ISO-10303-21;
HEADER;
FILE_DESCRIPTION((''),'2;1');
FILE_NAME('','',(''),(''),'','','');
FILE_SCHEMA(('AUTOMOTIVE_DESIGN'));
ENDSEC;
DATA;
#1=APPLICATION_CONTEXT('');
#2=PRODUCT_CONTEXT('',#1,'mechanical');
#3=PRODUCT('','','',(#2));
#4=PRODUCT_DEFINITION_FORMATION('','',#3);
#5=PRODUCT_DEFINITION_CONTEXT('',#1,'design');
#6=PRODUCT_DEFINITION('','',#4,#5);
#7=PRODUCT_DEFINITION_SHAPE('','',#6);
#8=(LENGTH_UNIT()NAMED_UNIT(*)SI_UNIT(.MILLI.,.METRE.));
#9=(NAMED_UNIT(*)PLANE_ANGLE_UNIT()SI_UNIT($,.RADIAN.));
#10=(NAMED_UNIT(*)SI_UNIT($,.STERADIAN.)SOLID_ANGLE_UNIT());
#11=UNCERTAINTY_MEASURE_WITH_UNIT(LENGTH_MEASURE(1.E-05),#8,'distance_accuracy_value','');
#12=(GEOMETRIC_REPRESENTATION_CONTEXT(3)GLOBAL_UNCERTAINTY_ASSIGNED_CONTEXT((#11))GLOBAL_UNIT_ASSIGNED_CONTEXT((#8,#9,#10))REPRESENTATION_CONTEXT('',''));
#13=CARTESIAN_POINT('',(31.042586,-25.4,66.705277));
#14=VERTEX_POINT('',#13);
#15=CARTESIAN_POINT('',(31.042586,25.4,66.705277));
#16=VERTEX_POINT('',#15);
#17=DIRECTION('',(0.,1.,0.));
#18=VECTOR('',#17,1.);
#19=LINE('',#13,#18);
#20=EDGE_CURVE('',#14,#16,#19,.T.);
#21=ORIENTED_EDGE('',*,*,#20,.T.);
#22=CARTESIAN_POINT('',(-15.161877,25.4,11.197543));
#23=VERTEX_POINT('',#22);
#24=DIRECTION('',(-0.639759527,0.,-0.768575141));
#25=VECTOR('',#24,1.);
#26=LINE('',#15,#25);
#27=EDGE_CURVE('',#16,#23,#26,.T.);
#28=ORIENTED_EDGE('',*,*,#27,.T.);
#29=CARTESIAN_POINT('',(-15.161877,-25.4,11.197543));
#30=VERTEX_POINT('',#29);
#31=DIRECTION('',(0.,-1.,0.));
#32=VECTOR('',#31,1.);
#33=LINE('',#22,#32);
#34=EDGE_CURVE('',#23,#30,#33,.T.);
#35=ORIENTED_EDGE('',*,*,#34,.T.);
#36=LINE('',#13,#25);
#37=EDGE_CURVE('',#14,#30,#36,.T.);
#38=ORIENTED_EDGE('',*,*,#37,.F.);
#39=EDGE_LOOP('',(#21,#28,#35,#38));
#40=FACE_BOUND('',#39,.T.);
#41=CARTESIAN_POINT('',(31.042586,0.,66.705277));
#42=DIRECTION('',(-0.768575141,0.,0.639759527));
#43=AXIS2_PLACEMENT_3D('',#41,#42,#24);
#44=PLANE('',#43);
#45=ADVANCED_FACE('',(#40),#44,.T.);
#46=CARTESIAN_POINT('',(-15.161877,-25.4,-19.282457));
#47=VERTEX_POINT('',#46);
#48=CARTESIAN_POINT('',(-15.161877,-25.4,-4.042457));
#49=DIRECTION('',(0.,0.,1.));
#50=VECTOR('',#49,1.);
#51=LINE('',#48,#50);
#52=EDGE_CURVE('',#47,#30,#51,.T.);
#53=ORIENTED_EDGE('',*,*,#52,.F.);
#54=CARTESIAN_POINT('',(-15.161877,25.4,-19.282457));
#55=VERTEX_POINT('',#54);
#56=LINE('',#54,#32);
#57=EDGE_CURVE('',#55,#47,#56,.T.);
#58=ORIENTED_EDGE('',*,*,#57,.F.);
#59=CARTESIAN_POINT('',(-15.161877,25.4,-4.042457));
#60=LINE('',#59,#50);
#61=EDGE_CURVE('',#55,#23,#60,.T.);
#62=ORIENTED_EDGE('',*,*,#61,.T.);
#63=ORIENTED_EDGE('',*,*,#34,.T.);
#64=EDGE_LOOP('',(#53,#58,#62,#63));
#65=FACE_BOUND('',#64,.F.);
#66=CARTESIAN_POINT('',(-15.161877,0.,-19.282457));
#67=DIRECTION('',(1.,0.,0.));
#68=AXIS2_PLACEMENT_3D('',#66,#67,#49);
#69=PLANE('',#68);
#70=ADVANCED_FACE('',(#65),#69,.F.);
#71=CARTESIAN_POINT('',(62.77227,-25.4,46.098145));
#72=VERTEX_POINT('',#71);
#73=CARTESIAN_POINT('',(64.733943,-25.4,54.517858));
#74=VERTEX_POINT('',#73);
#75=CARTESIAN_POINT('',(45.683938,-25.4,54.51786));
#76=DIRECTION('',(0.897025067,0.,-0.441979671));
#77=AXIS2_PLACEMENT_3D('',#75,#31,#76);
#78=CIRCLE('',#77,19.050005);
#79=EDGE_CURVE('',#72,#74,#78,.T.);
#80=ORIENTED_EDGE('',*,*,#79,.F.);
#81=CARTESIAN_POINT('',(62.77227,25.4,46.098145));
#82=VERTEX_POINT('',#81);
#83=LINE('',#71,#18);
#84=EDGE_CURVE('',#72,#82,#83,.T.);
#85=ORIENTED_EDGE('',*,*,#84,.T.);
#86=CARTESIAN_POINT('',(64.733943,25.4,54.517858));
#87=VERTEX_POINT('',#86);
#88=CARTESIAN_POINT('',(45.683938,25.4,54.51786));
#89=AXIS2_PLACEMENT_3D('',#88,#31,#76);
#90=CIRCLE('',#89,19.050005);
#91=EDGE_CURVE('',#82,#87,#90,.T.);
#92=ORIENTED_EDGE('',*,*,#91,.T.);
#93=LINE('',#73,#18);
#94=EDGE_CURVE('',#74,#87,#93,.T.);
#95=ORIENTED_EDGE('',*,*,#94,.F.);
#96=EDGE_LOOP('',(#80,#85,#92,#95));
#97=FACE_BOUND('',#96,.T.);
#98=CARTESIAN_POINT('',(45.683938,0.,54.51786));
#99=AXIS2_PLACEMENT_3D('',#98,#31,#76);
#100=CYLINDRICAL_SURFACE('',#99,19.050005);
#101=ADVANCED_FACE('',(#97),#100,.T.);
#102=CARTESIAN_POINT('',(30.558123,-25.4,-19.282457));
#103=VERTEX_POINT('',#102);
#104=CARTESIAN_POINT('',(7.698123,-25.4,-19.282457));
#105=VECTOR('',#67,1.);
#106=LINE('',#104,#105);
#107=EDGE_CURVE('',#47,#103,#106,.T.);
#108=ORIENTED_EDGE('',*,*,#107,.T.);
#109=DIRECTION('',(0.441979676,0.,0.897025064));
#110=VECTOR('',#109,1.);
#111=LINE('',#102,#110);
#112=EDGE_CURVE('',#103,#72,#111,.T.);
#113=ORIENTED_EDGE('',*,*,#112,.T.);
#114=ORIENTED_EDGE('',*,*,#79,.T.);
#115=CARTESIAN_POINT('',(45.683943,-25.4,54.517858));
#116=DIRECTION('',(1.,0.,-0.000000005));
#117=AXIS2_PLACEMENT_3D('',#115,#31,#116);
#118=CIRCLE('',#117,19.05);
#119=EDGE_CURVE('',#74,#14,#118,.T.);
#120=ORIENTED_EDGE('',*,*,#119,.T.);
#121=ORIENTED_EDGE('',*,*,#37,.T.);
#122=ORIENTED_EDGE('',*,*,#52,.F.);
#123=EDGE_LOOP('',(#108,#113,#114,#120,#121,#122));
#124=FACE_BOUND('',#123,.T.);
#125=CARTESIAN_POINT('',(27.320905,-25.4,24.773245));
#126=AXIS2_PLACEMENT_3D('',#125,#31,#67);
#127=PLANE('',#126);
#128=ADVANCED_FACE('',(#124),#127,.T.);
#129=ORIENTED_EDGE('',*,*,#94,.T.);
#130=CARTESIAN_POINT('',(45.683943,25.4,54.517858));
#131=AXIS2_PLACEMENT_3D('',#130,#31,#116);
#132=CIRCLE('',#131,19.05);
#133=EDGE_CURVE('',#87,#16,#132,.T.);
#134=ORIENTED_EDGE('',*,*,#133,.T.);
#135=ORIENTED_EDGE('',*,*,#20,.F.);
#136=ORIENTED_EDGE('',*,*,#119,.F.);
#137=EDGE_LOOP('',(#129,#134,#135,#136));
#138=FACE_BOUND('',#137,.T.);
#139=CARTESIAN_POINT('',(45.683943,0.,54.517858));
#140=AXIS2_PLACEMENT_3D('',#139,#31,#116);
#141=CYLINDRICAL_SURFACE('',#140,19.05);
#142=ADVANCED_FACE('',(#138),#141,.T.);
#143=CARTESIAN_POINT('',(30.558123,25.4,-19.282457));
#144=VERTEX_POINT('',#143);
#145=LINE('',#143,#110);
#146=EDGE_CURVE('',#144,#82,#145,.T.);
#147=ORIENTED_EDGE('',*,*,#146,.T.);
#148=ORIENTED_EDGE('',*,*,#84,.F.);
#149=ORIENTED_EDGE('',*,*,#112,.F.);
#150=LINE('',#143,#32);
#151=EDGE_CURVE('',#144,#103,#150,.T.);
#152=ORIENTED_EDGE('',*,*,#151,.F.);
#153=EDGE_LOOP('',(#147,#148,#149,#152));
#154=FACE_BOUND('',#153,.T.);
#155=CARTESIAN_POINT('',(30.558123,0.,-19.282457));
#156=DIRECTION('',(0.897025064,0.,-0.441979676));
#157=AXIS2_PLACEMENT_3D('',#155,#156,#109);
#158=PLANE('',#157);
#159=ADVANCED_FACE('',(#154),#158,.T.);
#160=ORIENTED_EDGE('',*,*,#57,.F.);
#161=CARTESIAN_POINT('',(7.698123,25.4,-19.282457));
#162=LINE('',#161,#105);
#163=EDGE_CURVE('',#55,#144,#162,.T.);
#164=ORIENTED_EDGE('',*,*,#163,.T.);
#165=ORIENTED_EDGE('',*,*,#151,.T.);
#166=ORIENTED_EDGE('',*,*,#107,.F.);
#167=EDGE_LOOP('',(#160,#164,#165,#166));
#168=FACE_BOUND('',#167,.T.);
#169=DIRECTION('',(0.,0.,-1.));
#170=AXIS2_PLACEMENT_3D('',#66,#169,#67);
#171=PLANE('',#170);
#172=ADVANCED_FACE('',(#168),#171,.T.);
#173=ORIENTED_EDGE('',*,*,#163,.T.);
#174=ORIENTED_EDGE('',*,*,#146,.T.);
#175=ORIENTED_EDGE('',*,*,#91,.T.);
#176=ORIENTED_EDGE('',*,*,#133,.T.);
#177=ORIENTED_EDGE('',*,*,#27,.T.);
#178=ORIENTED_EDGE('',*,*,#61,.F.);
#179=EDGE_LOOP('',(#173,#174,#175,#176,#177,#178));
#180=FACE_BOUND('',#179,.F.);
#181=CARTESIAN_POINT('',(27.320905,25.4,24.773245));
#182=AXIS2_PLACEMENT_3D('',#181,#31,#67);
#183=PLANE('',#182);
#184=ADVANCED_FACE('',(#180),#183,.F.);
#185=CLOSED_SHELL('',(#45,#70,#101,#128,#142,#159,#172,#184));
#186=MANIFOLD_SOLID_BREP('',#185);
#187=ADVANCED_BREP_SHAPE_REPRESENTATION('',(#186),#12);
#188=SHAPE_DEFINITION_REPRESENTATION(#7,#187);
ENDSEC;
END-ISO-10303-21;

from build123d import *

# Parameters (mm, degrees)
F0_W     = 45.72
F0_H     = 30.48
F1_DEPTH = 25.4


with BuildPart() as f1:
    # F0 (on Front) → F1 (new body, symmetric)
    with BuildSketch(Plane.XZ):
        with BuildLine():
            Line((31.042586, 66.705277), (-15.161877, 11.197543))
            Line((-15.161877, 11.197543), (30.558123, 11.197543))
            Line((30.558123, 11.197543), (30.558123, -19.282457))
            Line((30.558123, -19.282457), (62.77227, 46.098145))
            ThreePointArc((62.77227, 46.098145), (35.30799, 38.541559), (31.042586, 66.705277))
        make_face()
        with Locations((7.698123, -4.042457)):
            Rectangle(F0_W, F0_H)
        with BuildLine():
            ThreePointArc((64.733943, 54.517858), (52.164092, 72.431824), (31.042586, 66.705277))
            ThreePointArc((31.042586, 66.705277), (35.30799, 38.541559), (62.77227, 46.098145))
            ThreePointArc((62.77227, 46.098145), (64.237044, 50.195251), (64.733943, 54.517858))
        make_face()
    extrude(amount=F1_DEPTH, both=True)


solid = f1.part
